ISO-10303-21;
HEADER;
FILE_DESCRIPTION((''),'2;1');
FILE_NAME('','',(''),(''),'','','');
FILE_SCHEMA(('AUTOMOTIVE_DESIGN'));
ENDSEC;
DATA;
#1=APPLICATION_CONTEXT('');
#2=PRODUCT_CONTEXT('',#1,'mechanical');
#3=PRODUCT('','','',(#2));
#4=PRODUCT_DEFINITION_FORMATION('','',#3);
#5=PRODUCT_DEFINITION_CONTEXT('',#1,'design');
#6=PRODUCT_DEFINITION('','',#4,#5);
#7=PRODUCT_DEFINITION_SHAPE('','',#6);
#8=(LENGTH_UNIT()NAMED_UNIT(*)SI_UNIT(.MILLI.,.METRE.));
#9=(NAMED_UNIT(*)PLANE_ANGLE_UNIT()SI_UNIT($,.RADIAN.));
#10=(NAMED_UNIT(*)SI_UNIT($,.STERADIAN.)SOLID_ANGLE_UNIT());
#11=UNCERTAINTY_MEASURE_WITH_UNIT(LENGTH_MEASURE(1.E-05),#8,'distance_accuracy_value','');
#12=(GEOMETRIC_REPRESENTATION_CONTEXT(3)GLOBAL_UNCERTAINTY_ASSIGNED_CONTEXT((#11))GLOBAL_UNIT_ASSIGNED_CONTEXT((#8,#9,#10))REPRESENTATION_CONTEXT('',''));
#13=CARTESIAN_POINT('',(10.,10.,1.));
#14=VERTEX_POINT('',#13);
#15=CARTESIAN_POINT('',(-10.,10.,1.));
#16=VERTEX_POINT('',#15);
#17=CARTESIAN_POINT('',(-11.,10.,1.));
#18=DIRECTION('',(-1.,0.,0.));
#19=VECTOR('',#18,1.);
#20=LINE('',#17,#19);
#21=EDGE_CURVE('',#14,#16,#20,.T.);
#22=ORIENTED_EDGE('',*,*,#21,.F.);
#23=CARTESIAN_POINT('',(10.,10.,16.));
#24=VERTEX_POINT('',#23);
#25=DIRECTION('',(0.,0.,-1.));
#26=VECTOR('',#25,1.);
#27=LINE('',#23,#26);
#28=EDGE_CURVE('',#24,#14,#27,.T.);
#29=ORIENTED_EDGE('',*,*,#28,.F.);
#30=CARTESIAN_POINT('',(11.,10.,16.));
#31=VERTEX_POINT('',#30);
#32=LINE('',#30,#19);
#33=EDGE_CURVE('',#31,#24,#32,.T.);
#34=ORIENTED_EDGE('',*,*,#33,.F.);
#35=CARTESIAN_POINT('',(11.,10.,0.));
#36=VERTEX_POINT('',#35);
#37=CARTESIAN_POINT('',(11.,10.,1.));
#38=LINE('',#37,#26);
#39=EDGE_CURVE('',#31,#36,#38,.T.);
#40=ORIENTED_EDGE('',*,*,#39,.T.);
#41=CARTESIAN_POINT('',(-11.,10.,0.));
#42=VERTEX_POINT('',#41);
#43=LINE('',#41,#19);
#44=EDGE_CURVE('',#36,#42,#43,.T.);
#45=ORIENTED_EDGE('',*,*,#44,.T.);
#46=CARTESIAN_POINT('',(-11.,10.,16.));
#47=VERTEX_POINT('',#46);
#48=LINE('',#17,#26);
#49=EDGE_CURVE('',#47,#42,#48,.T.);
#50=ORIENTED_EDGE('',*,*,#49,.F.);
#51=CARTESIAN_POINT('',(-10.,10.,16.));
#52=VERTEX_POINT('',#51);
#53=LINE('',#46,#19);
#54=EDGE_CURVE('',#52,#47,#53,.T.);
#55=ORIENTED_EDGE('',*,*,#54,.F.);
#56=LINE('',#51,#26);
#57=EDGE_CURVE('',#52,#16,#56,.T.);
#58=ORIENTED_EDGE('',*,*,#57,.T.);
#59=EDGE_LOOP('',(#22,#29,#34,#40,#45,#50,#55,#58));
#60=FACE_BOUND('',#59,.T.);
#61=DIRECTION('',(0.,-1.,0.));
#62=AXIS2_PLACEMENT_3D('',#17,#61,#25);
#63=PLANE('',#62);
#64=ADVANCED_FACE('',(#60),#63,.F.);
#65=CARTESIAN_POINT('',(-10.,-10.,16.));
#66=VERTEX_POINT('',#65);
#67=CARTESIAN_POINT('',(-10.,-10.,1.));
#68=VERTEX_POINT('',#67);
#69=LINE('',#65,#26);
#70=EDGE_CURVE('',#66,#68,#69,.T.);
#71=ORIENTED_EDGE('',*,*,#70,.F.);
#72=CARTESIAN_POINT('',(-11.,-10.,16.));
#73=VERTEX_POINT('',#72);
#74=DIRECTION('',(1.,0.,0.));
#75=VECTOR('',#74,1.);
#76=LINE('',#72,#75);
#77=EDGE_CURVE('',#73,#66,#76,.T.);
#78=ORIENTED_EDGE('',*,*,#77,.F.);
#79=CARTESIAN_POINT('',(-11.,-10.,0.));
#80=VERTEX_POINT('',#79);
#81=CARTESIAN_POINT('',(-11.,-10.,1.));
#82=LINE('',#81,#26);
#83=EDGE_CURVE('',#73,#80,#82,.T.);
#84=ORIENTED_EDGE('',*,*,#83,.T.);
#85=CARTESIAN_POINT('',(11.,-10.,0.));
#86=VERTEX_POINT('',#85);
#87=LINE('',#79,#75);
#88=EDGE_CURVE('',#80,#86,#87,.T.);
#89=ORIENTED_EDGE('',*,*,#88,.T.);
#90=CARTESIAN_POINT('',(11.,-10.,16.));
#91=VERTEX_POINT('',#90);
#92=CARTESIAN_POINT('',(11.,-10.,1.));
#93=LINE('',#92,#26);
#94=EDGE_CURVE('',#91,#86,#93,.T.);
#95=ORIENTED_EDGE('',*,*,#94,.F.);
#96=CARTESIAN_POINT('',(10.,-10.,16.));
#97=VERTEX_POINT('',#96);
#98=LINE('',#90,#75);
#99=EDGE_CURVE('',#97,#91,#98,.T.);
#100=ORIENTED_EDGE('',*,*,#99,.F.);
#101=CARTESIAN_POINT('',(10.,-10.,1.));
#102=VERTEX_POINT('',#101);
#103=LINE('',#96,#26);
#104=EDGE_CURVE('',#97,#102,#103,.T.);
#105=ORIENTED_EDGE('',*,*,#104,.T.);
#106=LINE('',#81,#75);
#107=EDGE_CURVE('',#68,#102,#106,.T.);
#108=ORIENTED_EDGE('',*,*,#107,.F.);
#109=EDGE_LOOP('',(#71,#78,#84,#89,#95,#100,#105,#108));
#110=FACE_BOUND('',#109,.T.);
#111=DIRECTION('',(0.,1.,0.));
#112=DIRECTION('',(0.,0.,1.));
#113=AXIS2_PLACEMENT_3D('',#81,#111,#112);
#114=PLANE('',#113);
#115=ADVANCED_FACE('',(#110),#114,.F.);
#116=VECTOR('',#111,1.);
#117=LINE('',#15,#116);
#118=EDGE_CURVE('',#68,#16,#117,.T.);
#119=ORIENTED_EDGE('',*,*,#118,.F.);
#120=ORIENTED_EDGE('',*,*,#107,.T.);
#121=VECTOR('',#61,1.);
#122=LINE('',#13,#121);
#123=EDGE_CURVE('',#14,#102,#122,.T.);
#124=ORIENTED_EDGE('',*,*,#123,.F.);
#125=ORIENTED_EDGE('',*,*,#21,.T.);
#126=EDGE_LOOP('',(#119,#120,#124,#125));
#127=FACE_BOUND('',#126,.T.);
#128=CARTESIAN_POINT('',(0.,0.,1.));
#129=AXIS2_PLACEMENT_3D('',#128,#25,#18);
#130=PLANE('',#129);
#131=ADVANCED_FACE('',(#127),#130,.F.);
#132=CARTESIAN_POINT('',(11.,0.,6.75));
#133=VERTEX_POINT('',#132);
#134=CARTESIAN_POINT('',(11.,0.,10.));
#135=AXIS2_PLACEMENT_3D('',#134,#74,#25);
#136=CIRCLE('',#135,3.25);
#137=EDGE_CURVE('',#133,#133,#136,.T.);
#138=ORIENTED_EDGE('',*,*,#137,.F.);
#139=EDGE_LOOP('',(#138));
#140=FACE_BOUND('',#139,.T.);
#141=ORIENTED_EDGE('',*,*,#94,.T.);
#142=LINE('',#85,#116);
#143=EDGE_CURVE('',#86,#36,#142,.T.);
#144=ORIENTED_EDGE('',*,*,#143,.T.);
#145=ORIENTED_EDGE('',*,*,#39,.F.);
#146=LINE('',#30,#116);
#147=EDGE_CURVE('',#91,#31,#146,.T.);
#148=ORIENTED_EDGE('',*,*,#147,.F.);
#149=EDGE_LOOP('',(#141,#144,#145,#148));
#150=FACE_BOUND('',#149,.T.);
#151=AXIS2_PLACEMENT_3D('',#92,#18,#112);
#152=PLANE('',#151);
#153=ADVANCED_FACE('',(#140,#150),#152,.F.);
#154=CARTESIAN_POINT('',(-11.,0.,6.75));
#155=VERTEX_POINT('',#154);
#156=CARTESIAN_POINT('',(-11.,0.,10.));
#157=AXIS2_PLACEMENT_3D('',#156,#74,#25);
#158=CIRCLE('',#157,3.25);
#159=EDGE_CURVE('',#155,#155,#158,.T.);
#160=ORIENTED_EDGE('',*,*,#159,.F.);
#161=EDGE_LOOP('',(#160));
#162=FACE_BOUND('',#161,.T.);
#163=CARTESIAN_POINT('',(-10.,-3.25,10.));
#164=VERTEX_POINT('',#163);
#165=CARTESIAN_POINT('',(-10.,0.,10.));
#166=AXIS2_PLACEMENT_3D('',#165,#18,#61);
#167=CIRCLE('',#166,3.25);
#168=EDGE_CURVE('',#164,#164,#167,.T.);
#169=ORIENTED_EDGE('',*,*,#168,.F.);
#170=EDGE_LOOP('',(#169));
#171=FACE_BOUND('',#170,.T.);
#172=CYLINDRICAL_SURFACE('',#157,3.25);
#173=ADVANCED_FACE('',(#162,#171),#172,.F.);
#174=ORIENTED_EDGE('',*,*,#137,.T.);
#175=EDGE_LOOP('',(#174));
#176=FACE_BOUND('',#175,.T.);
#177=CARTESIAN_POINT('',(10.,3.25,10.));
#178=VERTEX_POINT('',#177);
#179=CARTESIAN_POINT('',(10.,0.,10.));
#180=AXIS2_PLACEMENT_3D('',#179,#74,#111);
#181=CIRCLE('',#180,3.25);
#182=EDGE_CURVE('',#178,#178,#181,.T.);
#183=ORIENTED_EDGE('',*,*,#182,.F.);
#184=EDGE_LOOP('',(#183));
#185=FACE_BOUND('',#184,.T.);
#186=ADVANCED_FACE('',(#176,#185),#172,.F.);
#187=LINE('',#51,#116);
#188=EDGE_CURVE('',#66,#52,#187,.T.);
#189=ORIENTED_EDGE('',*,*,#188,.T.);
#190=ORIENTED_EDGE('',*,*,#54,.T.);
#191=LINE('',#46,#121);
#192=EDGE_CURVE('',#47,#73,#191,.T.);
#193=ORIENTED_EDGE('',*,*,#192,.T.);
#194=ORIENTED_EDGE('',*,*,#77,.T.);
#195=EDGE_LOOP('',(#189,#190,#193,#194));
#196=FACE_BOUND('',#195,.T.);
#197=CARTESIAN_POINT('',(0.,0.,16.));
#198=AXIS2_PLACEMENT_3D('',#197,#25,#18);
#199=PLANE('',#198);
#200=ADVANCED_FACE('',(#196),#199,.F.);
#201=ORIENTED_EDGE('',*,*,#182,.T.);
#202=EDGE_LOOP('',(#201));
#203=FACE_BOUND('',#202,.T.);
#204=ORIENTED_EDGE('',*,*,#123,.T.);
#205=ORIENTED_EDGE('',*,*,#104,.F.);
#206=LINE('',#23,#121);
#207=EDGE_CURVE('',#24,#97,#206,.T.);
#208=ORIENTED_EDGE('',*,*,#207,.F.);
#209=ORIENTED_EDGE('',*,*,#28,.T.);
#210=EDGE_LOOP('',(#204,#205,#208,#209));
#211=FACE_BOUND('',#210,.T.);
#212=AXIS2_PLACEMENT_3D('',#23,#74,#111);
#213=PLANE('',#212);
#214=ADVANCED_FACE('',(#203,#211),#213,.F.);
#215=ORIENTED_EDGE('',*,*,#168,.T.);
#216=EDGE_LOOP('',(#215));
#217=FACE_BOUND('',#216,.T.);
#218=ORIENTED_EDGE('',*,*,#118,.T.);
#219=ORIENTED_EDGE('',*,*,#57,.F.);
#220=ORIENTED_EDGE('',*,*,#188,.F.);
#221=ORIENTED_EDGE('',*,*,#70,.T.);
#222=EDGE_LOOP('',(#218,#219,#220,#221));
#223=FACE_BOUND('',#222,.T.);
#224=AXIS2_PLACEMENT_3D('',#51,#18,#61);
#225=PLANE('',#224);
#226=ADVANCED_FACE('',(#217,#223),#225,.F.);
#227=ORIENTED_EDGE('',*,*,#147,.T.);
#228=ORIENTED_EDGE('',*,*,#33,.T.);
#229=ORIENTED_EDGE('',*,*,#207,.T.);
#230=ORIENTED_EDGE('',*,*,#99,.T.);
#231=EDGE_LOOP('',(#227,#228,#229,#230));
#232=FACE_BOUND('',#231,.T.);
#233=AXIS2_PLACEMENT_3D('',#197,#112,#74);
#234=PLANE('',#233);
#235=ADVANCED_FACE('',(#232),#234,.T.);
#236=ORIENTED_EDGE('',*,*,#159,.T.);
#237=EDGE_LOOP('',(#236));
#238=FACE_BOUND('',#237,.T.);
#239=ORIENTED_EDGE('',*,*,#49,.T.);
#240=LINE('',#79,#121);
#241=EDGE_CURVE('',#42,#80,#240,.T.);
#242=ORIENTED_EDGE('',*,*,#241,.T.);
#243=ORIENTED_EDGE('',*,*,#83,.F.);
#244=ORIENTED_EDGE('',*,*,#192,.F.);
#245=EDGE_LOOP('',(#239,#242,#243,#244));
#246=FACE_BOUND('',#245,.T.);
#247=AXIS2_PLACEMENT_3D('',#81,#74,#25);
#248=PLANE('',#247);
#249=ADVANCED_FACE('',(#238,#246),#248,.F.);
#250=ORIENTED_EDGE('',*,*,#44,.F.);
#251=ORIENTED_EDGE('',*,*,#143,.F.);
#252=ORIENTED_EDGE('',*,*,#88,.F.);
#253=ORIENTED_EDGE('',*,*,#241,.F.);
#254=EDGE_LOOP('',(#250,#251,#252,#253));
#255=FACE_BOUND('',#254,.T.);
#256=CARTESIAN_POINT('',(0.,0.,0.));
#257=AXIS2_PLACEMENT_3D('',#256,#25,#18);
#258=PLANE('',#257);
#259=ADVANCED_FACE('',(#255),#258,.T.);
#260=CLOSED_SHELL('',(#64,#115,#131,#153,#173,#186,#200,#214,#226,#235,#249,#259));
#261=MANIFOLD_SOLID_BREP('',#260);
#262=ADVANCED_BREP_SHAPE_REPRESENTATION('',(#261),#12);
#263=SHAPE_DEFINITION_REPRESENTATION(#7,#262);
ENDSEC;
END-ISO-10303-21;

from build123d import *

# Parameters (mm, degrees)
SKETCH1_W           = 22
SKETCH1_H           = 20
BOSS_EXTRUDE1_DEPTH = 1
SKETCH2_W           = 1
SKETCH2_H           = 20
BOSS_EXTRUDE2_DEPTH = 15
SKETCH3_R           = 3.25
CUT_EXTRUDE1_DEPTH  = 29.982753492


with BuildPart() as part:
    # Sketch1 → Boss-Extrude1 (new body)
    with BuildSketch(Plane.XY):
        Rectangle(SKETCH1_W, SKETCH1_H)
    extrude(amount=BOSS_EXTRUDE1_DEPTH)

    # Sketch2 → Boss-Extrude2 (add)
    with BuildSketch(Plane.XY.offset(1)):
        with Locations((-10.5, 0)):
            Rectangle(SKETCH2_W, SKETCH2_H)
        with Locations((10.5, 0)):
            Rectangle(SKETCH2_W, SKETCH2_H)
    extrude(amount=BOSS_EXTRUDE2_DEPTH)

    # Sketch3 → Cut-Extrude1 (cut, through all)
    with BuildSketch(Plane(origin=(11, 0, 0), x_dir=(0, 0, -1), z_dir=(1, 0, 0))):
        with Locations((-10, 0)):
            Circle(SKETCH3_R)
    extrude(amount=-CUT_EXTRUDE1_DEPTH, mode=Mode.SUBTRACT)


solid = part.part
